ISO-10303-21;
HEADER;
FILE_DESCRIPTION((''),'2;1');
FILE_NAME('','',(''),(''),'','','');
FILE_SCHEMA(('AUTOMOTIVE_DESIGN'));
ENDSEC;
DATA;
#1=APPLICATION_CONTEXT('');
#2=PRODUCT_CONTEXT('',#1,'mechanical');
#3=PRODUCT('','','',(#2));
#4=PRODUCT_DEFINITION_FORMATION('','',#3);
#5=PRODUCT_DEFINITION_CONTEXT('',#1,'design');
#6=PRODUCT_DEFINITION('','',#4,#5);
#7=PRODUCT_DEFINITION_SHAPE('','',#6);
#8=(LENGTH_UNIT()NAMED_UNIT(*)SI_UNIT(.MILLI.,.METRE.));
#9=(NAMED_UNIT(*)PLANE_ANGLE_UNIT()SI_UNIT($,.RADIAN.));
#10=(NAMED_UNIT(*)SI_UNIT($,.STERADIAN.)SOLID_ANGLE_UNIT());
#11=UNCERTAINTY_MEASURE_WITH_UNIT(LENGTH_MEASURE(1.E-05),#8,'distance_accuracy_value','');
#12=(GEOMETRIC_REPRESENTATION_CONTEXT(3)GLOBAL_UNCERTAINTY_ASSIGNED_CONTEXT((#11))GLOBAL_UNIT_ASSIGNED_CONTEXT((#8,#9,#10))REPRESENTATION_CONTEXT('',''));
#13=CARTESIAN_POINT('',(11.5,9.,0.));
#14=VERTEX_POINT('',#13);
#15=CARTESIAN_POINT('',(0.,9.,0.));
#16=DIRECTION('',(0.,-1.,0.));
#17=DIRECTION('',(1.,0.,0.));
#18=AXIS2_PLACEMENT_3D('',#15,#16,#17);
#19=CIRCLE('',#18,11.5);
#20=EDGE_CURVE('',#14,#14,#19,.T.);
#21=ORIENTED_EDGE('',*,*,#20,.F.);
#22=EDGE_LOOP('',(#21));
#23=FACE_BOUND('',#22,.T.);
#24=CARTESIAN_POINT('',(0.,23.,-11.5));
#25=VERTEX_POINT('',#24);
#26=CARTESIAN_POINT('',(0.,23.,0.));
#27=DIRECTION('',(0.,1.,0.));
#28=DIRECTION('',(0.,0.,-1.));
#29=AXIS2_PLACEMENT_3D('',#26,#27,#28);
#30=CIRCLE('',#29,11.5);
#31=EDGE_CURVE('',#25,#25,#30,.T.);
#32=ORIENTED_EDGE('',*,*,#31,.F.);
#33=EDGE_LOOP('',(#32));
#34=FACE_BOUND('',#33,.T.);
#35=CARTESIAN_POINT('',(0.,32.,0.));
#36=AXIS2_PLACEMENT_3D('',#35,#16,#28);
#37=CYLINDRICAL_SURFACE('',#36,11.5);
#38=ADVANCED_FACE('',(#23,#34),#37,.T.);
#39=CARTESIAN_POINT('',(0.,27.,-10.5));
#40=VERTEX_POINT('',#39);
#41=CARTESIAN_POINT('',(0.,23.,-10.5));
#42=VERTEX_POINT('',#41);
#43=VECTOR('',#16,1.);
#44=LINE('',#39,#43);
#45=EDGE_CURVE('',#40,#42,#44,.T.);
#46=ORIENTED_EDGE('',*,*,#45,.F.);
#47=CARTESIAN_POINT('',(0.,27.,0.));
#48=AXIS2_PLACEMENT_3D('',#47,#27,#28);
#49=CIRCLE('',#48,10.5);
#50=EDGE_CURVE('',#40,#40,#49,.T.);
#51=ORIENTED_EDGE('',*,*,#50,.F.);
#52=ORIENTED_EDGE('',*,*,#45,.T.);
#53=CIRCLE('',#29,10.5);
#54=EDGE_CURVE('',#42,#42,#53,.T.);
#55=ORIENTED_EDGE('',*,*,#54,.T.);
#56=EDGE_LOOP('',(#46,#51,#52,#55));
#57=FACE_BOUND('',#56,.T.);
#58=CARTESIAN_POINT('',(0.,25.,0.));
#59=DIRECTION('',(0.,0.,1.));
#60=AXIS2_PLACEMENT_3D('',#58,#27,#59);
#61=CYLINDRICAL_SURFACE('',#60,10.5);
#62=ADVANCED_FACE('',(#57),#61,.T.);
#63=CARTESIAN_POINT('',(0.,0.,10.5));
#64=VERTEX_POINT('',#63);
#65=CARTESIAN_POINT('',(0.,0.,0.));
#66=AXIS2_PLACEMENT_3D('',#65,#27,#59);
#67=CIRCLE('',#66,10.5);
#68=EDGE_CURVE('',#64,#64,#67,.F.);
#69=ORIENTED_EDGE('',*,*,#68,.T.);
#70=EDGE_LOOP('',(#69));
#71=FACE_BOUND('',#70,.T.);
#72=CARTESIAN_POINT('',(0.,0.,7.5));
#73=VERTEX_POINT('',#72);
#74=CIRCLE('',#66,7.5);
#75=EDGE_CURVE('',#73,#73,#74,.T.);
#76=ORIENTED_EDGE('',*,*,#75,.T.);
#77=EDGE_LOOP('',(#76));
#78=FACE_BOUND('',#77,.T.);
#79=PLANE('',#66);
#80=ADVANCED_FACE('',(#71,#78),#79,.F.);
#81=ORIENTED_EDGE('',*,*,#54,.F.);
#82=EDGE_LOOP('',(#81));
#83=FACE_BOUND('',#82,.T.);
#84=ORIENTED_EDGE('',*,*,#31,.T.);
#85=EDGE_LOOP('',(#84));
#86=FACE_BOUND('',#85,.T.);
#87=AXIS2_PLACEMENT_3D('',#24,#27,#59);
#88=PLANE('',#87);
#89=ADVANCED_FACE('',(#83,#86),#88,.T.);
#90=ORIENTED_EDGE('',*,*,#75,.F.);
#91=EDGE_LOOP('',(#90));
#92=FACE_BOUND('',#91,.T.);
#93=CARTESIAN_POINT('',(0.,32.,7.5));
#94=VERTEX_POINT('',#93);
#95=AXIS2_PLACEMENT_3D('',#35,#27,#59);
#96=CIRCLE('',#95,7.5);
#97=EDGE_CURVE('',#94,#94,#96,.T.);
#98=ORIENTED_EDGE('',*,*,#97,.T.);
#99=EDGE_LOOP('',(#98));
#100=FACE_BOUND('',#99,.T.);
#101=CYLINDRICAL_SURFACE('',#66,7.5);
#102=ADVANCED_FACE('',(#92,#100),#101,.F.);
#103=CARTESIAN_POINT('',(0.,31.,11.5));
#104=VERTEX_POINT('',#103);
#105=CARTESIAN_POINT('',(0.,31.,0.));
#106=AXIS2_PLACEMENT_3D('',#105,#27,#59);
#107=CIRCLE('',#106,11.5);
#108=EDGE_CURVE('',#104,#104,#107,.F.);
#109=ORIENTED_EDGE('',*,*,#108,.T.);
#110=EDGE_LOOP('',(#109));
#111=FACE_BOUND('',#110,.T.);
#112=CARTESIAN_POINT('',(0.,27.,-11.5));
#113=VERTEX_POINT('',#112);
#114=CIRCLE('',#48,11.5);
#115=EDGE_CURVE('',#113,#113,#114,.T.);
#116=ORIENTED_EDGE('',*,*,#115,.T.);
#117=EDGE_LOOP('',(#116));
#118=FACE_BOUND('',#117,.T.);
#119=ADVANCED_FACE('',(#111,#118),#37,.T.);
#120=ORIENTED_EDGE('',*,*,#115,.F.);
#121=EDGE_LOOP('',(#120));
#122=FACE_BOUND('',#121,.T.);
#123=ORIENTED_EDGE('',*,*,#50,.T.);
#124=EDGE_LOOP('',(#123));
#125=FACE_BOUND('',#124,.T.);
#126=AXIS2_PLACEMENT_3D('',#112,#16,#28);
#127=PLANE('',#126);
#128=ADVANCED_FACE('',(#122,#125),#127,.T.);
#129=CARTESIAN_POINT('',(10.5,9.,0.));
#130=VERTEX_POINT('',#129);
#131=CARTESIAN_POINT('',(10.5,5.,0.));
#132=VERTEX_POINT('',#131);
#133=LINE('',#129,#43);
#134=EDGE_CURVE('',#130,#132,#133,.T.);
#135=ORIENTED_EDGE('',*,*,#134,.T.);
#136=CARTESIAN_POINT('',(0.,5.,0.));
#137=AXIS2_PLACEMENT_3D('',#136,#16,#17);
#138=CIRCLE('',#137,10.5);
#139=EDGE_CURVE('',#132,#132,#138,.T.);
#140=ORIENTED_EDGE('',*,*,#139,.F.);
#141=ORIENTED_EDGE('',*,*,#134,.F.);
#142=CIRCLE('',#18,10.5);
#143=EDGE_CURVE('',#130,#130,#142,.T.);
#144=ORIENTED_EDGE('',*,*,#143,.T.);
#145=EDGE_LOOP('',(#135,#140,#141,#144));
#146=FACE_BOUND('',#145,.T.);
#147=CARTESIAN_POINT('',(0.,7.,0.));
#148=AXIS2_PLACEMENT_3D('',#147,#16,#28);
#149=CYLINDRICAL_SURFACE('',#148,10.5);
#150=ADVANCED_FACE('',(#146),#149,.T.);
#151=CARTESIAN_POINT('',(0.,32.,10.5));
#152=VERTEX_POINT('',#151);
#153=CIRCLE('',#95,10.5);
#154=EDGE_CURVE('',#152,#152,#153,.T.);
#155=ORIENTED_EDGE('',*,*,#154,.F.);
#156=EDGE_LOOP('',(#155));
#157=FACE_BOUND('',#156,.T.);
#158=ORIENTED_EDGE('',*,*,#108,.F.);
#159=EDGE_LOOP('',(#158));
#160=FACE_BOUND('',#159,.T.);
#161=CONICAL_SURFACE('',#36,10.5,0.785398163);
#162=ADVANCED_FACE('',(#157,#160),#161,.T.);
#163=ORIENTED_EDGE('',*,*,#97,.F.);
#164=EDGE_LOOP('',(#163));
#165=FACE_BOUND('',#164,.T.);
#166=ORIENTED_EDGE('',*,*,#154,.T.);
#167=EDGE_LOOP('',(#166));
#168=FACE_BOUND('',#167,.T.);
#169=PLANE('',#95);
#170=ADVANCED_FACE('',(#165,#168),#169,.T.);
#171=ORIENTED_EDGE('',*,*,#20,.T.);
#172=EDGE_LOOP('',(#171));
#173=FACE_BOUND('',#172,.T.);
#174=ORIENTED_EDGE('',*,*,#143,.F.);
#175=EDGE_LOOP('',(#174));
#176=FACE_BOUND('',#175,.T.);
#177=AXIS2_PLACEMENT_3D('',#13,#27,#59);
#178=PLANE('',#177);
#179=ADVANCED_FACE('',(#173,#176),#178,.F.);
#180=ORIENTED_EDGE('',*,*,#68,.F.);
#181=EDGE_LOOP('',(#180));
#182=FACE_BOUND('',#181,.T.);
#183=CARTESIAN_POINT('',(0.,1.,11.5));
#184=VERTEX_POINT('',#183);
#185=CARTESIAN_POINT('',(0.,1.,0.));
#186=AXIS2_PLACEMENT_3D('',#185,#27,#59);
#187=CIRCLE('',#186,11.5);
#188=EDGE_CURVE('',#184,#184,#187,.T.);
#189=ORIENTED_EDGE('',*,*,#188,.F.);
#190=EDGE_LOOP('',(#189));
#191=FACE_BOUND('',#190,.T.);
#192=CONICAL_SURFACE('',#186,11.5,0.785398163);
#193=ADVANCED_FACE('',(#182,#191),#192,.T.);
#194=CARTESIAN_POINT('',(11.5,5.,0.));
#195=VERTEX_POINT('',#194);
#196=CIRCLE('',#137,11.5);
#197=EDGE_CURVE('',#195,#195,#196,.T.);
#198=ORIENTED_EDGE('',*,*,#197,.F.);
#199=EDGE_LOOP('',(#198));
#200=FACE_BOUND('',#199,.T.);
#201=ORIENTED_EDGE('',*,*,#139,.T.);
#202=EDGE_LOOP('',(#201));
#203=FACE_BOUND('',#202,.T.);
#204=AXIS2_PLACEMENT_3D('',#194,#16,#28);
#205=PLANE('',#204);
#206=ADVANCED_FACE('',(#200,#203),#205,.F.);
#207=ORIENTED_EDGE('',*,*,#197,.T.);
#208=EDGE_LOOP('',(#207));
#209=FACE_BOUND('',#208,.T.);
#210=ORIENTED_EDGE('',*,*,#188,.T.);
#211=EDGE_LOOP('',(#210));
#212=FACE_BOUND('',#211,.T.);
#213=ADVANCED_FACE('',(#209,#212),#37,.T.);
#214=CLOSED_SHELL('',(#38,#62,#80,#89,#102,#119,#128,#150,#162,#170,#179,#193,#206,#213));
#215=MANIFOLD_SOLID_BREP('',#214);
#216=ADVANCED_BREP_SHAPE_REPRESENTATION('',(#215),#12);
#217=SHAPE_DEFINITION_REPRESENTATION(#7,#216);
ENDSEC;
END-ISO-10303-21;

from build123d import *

# Parameters (mm, degrees)
SKETCH1_R           = 11.5
BOSS_EXTRUDE1_DEPTH = 32
SKETCH2_R           = 7.5
CUT_EXTRUDE1_DEPTH  = 32
SKETCH3_W           = 1
SKETCH3_H           = 4
SKETCH5_W           = 1
SKETCH5_H           = 4
CHAMFER2_SIZE       = 1


with BuildPart() as part:
    # Sketch1 → Boss-Extrude1 (new body)
    with BuildSketch(Plane(origin=(0, 0, 0), x_dir=(1, 0, 0), z_dir=(0, 1, 0))):
        with Locations(Location((0, 0, 0), (0, 0, 270))):
            Circle(SKETCH1_R)
    extrude(amount=BOSS_EXTRUDE1_DEPTH)

    # Sketch2 → Cut-Extrude1 (cut)
    with BuildSketch(Plane(origin=(0, 32, 0), x_dir=(1, 0, 0), z_dir=(0, 1, 0))):
        with Locations(Location((0, 0, 0), (0, 0, 270))):
            Circle(SKETCH2_R)
    extrude(amount=-CUT_EXTRUDE1_DEPTH, mode=Mode.SUBTRACT)

    # Cut-Sweep1: sweep along a path in Sketch4
    with BuildLine(Plane(origin=(0, 7, 0), x_dir=(-1, 0, 0), z_dir=(0, -1, 0))) as cut_sweep1_path:
        CenterArc((0, 0), 11, 0, 360)
    # Sketch3 → Cut-Sweep1 (sweep, cut)
    with BuildSketch(Plane.XY):
        with Locations((11, 7)):
            Rectangle(SKETCH3_W, SKETCH3_H)
    sweep(path=cut_sweep1_path.line, mode=Mode.SUBTRACT)

    # Cut-Sweep2: sweep along a path in Sketch6
    with BuildLine(Plane(origin=(0, 25, 0), x_dir=(1, 0, 0), z_dir=(0, 1, 0))) as cut_sweep2_path:
        CenterArc((0, 0), 11, 0, 360)
    # Sketch5 → Cut-Sweep2 (sweep, cut)
    with BuildSketch(Plane(origin=(0, 0, 0), x_dir=(0, 0, -1), z_dir=(1, 0, 0))):
        with Locations((11, 25)):
            Rectangle(SKETCH5_W, SKETCH5_H)
    sweep(path=cut_sweep2_path.line, mode=Mode.SUBTRACT)

    # Chamfer2
    chamfer2_edges = [part.edges().sort_by_distance(p)[0] for p in [
        (0, 0, -11.5),
        (0, 32, -11.5),
    ]]
    chamfer(chamfer2_edges, length=CHAMFER2_SIZE)


solid = part.part
